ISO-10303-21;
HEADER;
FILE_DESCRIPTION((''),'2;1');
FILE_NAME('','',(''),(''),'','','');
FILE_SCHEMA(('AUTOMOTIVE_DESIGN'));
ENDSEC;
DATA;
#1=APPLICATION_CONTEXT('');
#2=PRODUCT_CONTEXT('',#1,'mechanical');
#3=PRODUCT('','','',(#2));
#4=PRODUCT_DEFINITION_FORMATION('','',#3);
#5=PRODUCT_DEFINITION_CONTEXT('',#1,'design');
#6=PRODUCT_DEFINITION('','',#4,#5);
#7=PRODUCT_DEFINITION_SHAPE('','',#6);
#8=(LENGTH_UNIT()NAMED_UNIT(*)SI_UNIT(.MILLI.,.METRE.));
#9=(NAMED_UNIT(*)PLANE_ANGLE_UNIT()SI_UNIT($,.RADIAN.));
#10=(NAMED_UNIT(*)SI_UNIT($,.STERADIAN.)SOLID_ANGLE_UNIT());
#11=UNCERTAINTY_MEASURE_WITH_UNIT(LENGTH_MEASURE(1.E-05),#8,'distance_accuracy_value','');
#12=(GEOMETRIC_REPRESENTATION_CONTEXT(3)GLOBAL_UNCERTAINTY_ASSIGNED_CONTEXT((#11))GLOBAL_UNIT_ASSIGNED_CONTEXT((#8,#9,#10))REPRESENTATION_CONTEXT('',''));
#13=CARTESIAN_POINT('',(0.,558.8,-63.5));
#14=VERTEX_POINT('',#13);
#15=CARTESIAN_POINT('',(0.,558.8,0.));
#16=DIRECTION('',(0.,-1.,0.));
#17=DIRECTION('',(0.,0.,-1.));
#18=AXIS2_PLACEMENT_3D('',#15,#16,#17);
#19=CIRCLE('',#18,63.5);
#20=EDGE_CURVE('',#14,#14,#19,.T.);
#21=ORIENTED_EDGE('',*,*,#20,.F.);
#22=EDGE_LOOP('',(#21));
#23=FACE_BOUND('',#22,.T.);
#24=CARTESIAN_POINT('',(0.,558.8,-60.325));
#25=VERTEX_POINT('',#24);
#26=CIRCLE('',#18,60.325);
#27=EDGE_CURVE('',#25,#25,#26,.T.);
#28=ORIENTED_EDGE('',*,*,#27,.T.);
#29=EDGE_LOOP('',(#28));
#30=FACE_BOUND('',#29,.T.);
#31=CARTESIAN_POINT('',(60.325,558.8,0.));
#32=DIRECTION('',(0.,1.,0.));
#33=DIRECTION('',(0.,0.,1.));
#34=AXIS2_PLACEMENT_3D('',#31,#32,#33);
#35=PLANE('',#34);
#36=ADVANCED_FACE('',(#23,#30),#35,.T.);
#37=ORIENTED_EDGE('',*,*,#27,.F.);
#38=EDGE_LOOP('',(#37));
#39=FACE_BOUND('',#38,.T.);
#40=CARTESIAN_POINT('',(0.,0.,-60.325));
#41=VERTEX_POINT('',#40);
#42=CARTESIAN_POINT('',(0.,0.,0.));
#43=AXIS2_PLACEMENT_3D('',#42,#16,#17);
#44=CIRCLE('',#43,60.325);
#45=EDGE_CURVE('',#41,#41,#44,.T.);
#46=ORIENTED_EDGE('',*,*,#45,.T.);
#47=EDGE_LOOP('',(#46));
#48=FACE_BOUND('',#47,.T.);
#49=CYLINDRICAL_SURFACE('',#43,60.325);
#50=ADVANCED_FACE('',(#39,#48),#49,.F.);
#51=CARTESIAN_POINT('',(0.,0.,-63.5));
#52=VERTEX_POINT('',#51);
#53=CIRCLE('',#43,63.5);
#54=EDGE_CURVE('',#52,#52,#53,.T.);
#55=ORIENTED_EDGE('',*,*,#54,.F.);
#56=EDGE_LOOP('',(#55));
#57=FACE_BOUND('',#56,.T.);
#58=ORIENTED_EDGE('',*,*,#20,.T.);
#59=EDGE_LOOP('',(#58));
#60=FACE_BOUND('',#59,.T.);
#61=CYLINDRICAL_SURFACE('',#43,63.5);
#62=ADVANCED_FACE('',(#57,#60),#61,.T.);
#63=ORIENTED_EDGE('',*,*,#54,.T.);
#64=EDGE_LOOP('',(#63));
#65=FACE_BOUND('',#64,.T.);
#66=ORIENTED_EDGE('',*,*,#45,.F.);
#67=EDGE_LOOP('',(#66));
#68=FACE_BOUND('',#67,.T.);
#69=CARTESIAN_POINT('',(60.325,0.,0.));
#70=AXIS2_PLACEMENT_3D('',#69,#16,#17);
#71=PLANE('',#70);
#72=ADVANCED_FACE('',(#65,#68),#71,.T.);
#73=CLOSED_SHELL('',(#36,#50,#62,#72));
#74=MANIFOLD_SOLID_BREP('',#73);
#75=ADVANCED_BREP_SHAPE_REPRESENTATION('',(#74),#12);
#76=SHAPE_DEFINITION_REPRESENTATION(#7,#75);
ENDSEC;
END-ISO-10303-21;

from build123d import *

# Parameters (mm, degrees)
SKETCH1_W = 3.175
SKETCH1_H = 558.8


with BuildPart() as part:
    # Sketch1 → Revolve1 (revolve)
    with BuildSketch(Plane.XY, mode=Mode.PRIVATE) as revolve1_sk:
        with Locations((61.9125, 279.4)):
            Rectangle(SKETCH1_W, SKETCH1_H)
    revolve(revolve1_sk.sketch.rotate(Axis((0, 0, 0), (0, 1, 0)), 90), axis=Axis((0, 0, 0), (0, 1, 0)))


solid = part.part
